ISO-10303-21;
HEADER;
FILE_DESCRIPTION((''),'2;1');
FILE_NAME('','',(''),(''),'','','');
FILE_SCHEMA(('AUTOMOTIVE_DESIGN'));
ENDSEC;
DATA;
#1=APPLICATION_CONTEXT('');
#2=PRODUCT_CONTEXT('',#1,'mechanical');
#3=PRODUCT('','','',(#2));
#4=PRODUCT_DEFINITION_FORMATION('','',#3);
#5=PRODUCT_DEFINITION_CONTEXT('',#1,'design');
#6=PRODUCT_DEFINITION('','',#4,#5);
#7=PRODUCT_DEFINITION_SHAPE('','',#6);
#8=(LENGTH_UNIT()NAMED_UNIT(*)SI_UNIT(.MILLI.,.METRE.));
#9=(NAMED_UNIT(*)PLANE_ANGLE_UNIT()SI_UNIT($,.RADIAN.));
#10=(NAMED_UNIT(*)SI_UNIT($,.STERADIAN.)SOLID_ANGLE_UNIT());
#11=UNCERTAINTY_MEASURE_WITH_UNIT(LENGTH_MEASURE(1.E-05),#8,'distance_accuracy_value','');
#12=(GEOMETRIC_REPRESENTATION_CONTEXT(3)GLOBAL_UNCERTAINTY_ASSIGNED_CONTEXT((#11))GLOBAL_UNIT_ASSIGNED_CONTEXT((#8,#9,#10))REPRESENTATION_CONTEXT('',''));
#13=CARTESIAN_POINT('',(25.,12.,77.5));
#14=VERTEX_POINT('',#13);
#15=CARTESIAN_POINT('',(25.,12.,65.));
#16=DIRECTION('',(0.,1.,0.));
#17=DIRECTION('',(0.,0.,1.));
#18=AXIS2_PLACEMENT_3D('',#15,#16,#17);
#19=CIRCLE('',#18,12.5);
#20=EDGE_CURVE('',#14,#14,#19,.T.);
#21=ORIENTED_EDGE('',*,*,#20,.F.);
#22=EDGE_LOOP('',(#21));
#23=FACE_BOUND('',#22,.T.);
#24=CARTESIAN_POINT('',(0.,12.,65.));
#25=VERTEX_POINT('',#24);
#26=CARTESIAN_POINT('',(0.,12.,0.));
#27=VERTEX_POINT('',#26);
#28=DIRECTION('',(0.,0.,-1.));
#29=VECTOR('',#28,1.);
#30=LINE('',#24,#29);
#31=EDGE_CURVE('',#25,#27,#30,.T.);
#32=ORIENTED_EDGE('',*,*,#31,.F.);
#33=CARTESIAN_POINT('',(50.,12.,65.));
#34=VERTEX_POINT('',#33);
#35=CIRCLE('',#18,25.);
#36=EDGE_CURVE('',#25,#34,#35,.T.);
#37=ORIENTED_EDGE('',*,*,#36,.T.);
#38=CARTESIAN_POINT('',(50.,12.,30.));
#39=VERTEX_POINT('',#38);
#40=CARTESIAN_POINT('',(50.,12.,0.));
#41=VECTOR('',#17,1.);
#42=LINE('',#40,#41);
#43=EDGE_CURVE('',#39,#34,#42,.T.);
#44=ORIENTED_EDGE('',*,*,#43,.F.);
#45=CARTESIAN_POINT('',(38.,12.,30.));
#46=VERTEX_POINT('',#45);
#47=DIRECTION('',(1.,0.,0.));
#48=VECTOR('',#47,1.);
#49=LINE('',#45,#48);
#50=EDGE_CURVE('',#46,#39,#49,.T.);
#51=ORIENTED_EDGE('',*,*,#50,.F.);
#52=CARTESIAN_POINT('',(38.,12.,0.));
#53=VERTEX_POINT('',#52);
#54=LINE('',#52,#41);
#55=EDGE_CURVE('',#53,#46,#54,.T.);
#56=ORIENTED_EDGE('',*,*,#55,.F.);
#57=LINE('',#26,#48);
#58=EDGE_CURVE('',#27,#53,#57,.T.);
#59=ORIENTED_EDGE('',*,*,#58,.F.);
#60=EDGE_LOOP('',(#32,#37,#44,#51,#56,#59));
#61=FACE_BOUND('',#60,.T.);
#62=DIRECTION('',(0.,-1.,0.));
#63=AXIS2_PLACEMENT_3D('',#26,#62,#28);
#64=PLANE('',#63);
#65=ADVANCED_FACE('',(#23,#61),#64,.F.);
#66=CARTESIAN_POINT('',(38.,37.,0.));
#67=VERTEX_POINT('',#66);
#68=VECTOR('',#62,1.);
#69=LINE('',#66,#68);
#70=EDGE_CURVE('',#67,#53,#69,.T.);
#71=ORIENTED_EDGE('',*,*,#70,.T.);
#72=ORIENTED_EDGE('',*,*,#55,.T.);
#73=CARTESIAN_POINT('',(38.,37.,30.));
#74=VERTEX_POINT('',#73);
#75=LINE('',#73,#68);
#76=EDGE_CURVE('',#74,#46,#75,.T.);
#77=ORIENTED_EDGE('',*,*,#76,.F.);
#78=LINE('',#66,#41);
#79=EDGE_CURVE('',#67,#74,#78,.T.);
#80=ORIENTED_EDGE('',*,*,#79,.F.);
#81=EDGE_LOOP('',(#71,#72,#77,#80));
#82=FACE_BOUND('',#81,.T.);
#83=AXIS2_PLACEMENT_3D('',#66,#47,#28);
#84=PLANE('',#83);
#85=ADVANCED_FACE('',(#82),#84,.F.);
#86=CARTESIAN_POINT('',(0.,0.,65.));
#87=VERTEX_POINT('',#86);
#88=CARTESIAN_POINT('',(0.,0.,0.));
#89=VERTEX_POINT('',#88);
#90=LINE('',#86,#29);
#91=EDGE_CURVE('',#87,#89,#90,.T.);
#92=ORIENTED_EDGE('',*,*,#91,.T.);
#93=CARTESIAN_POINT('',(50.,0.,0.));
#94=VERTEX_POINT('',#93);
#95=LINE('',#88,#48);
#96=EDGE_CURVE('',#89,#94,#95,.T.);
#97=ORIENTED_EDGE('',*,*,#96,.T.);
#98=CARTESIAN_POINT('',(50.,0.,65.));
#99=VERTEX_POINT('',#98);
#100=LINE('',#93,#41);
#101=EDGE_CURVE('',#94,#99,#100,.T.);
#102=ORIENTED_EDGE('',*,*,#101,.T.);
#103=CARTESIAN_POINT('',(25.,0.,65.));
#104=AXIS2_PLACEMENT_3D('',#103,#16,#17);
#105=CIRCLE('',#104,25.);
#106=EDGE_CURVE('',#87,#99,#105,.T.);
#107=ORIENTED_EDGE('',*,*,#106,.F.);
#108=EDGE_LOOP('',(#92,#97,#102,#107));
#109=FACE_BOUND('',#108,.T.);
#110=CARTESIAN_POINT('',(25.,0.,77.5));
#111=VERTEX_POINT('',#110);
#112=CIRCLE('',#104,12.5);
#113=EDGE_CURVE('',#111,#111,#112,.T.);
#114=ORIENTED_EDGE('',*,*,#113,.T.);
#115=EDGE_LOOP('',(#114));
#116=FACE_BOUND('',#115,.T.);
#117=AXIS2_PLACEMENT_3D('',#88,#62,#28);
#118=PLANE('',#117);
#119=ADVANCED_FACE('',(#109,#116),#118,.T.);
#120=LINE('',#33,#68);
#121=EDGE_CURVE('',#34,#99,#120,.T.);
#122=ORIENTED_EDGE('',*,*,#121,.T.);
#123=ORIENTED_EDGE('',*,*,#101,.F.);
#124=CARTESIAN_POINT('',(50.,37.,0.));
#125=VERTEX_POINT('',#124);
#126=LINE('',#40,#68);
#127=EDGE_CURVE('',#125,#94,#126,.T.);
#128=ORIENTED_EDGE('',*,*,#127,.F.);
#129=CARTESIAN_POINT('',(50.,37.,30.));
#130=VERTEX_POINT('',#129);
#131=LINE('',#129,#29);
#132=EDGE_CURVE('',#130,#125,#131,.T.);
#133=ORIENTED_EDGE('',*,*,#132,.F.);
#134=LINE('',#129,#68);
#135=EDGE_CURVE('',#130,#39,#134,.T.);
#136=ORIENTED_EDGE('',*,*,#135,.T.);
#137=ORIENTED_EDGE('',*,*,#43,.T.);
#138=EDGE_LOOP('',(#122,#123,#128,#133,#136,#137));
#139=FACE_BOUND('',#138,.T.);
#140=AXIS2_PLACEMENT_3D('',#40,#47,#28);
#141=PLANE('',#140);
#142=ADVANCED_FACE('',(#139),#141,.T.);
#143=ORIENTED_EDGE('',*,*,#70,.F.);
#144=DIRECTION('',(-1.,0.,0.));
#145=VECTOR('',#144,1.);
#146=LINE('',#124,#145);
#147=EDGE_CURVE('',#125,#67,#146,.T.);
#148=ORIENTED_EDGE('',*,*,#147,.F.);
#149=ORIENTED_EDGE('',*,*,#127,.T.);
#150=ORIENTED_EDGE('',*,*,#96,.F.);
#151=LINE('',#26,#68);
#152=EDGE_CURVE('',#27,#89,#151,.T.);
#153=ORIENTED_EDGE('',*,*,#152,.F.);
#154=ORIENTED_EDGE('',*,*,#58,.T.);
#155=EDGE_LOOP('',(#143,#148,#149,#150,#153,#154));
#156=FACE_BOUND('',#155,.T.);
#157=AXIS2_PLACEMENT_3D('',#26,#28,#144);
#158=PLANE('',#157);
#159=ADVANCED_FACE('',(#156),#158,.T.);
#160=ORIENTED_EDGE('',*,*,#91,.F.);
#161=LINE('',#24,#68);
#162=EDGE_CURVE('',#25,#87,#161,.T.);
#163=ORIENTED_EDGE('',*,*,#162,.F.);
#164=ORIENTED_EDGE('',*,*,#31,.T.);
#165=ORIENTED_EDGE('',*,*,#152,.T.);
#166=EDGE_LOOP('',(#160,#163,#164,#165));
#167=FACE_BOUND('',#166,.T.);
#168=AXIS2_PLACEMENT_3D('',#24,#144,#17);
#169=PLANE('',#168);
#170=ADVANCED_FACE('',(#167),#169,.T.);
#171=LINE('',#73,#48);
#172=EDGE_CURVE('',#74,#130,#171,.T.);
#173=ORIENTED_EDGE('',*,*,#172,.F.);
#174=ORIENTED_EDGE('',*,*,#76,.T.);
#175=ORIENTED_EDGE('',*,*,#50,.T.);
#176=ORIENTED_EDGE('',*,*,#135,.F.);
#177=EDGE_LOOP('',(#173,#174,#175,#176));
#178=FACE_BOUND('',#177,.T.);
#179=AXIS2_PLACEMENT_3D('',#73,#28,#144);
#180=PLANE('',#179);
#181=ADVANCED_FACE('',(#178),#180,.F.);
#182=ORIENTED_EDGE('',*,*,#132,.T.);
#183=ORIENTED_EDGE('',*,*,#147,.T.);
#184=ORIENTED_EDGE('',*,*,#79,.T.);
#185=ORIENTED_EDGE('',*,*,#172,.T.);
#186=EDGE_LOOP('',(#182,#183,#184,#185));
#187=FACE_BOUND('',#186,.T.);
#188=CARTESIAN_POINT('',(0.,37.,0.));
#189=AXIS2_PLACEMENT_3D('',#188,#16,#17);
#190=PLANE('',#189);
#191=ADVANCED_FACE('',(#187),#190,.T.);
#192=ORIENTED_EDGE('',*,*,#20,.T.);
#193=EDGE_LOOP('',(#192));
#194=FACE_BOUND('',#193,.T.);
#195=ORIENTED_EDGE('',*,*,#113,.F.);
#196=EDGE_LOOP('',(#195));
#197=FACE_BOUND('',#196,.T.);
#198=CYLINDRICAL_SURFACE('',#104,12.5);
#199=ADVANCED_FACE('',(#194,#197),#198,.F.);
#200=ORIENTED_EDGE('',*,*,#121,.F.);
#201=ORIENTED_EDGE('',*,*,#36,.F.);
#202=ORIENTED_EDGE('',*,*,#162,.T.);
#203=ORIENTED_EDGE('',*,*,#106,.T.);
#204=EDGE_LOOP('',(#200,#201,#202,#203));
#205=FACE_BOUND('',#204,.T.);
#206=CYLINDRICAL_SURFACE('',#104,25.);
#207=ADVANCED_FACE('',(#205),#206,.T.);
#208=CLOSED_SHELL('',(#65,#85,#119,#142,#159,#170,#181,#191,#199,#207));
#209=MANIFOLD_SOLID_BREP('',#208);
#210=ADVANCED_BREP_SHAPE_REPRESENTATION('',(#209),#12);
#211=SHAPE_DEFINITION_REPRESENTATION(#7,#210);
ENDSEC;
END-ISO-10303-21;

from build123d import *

# Parameters (mm, degrees)
SKETCH2_W           = 50
SKETCH2_H           = 65
BOSS_EXTRUDE1_DEPTH = 12
BOSS_EXTRUDE2_DEPTH = 12
SKETCH5_R           = 12.5
CUT_EXTRUDE1_DEPTH  = 12
SKETCH7_W           = 12
SKETCH7_H           = 30
BOSS_EXTRUDE3_DEPTH = 25


with BuildPart() as part:
    # Sketch2 → Boss-Extrude1 (new body)
    with BuildSketch(Plane(origin=(0, 0, 0), x_dir=(1, 0, 0), z_dir=(0, 1, 0))):
        with Locations((25, -32.5)):
            Rectangle(SKETCH2_W, SKETCH2_H)
    extrude(amount=BOSS_EXTRUDE1_DEPTH)

    # Sketch3 → Boss-Extrude2 (add)
    with BuildSketch(Plane(origin=(0, 12, 0), x_dir=(1, 0, 0), z_dir=(0, 1, 0))):
        with BuildLine():
            Line((0, -65), (50, -65))
            ThreePointArc((50, -65), (25, -90), (0, -65))
        make_face()
    extrude(amount=-BOSS_EXTRUDE2_DEPTH)

    # Sketch5 → Cut-Extrude1 (cut)
    with BuildSketch(Plane(origin=(0, 12, 0), x_dir=(1, 0, 0), z_dir=(0, 1, 0))):
        with Locations(Location((25, -65, 0), (0, 0, 270))):
            Circle(SKETCH5_R)
    extrude(amount=-CUT_EXTRUDE1_DEPTH, mode=Mode.SUBTRACT)

    # Sketch7 → Boss-Extrude3 (add)
    with BuildSketch(Plane(origin=(0, 12, 0), x_dir=(1, 0, 0), z_dir=(0, 1, 0))):
        with Locations((44, -15)):
            Rectangle(SKETCH7_W, SKETCH7_H)
    extrude(amount=BOSS_EXTRUDE3_DEPTH)


solid = part.part
